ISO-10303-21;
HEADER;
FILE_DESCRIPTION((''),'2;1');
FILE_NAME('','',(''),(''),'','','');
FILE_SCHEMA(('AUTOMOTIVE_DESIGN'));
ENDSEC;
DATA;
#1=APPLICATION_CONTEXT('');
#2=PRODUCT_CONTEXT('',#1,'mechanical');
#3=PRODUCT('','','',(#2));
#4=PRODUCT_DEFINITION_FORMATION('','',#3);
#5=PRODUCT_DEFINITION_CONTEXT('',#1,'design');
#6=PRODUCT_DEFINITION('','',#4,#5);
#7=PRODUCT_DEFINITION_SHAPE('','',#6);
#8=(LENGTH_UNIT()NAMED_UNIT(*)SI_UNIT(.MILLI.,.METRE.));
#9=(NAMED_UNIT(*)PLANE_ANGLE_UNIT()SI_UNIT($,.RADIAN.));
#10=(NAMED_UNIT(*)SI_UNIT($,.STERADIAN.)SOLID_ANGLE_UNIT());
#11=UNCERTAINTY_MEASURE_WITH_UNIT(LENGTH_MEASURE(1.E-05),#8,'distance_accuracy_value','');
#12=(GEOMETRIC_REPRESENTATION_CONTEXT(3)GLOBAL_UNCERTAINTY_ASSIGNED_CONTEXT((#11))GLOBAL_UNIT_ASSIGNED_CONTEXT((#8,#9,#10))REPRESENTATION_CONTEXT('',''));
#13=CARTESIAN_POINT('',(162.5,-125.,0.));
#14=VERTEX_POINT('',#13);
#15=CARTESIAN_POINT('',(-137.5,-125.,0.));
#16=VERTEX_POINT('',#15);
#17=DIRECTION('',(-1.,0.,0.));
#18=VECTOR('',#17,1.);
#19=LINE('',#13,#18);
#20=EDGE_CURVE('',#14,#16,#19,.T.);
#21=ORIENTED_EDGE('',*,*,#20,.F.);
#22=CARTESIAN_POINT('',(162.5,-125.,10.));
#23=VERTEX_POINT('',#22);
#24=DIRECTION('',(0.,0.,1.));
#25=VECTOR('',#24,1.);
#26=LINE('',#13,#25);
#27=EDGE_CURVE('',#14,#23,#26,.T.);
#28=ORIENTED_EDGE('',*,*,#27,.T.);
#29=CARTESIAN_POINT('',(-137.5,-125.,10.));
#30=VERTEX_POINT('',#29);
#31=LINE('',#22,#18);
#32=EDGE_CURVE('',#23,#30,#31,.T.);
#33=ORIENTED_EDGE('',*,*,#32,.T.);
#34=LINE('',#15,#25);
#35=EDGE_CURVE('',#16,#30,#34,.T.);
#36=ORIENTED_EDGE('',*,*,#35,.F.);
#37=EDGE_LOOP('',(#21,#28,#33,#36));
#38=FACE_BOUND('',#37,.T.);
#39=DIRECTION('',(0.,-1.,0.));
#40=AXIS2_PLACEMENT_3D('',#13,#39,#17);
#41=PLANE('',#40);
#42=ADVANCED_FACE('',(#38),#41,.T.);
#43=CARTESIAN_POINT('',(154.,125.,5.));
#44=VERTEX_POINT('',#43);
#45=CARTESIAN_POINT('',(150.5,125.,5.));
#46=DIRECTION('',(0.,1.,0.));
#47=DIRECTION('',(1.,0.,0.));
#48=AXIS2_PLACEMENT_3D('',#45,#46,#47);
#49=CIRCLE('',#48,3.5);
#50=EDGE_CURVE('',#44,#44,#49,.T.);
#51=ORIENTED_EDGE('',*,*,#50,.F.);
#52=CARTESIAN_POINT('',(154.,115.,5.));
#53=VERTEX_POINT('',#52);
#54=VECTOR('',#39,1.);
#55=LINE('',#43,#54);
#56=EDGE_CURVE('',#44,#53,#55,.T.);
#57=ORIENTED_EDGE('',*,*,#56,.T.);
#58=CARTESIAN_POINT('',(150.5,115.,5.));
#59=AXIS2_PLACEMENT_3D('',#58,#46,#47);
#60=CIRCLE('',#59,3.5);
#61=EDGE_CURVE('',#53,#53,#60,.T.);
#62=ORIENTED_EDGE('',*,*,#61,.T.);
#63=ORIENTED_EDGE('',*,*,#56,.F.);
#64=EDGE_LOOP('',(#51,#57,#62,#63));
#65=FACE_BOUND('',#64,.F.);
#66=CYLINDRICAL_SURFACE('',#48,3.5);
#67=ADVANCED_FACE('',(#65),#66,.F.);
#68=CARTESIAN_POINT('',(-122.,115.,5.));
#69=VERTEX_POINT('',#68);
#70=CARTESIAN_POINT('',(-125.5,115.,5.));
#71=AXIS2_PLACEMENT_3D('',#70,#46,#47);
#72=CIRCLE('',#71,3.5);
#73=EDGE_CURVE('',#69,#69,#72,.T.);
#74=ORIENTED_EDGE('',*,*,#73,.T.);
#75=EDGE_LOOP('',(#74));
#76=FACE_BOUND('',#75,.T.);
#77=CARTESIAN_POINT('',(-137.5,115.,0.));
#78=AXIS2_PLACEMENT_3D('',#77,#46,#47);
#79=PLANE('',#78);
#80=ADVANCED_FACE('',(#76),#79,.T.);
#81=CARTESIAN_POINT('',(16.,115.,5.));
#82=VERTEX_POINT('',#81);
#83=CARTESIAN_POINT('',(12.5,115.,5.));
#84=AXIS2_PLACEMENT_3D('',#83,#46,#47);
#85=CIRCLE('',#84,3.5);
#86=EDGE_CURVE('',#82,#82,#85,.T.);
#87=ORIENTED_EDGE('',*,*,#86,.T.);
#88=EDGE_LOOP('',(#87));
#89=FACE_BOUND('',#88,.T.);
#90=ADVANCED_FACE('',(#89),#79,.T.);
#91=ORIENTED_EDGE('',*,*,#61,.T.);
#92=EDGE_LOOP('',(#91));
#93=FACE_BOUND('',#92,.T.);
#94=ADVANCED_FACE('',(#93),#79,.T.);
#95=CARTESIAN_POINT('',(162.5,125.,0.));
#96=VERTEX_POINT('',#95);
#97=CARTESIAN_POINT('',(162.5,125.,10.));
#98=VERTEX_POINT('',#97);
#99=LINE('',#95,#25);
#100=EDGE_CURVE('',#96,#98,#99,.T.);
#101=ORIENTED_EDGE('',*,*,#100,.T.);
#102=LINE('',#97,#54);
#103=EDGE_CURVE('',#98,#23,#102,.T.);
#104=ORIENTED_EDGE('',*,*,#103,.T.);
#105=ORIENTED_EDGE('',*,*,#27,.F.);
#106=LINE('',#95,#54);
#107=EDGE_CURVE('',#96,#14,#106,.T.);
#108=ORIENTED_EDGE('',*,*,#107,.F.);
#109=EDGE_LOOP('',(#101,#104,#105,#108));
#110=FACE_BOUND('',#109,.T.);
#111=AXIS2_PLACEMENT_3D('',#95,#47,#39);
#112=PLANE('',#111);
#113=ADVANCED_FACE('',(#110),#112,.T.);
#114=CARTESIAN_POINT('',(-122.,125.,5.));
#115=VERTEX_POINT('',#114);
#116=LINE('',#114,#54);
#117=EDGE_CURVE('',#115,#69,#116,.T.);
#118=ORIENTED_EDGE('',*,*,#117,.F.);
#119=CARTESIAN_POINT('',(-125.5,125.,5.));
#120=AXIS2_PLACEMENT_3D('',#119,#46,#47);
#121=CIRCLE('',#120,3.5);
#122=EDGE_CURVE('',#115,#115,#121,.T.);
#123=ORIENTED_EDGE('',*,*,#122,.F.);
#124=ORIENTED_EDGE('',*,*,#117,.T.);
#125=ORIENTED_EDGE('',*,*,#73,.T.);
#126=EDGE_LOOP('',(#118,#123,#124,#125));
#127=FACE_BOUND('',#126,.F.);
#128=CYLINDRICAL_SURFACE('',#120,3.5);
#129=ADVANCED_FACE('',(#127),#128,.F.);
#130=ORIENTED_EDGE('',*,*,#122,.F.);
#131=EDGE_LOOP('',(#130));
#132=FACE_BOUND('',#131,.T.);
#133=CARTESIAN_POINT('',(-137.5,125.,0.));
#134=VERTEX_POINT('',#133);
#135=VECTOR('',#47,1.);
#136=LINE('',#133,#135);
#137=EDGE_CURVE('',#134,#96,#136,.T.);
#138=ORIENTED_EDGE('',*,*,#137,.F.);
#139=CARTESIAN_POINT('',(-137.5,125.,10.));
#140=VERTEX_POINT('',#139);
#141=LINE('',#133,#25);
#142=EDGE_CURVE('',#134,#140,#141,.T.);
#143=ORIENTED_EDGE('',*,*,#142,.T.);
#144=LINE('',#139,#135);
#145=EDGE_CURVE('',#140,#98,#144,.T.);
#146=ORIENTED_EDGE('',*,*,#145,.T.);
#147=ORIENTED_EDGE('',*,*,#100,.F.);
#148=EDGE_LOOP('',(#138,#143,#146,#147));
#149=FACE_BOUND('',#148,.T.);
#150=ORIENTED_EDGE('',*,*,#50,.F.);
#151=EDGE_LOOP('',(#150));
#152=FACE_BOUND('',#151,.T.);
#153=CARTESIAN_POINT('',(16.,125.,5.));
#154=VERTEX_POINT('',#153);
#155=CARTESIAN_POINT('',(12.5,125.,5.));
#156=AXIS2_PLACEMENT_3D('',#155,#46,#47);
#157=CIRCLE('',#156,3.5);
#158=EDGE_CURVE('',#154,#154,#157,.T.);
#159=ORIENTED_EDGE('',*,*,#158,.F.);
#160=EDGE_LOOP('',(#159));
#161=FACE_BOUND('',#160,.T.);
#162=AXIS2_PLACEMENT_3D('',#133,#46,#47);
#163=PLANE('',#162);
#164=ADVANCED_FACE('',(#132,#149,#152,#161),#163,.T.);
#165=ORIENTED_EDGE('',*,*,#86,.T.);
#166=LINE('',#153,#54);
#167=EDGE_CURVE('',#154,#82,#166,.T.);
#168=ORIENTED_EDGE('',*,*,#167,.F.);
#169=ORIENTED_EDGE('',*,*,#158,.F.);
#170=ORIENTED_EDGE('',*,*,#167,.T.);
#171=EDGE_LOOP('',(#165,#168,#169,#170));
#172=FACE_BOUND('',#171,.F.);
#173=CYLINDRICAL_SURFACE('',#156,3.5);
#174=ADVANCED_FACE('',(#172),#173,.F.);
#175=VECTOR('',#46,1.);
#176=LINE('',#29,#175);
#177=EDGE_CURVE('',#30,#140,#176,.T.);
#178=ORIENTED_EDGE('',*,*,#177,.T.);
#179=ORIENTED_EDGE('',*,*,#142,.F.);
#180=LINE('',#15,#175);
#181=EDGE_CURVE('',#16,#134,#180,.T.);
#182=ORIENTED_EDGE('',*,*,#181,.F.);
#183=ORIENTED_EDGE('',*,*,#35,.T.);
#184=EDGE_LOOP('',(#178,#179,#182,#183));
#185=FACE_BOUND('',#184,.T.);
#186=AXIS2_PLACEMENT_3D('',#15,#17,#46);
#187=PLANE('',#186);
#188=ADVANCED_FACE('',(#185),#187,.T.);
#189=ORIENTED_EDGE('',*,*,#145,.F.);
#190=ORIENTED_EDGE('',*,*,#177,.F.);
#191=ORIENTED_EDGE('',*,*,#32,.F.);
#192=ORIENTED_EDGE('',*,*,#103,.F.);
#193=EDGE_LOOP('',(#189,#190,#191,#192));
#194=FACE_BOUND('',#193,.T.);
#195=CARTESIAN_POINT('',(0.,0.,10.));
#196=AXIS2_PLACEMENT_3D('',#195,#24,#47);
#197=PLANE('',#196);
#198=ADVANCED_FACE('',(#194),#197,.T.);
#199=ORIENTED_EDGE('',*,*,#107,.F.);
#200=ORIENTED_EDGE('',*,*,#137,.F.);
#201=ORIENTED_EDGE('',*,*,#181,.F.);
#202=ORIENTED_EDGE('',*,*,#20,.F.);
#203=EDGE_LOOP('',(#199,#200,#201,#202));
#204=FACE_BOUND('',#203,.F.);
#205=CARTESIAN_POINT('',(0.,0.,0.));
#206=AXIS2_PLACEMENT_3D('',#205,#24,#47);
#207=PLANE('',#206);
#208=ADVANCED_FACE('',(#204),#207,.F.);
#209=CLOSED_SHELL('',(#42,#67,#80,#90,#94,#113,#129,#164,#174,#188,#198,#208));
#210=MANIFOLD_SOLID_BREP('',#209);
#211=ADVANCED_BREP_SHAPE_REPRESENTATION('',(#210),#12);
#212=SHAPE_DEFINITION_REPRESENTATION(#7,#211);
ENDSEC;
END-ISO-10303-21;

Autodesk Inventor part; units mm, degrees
ref_plane "YZ Plane" through (0, 0, 0) normal (1, 0, 0) x (0, 1, 0)
ref_plane "XZ Plane" through (0, 0, 0) normal (0, 1, 0) x (-1, 0, 0)
ref_plane "XY Plane" through (0, 0, 0) normal (0, 0, 1) x (1, 0, 0)
sketch "Sketch1" plane through (0, 0, 0) normal (0, 0, 1) x (1, 0, 0)
  line L0 (-137.5, 125) -> (162.5, 125)
  line L1 (162.5, 125) -> (162.5, -125)
  line L2 (162.5, -125) -> (-137.5, -125)
  line L3 (-137.5, -125) -> (-137.5, 125)
  point P0 (0, 0)
  dimension "d0" = 300
  dimension "d1" = 250
  dimension "d2" = 162.5
  dimension "d3" = 125
extrude "Extrusion1" add sketch "Sketch1" along normal blind 10
sketch "Sketch4" plane through (-137.5, 125, 0) normal (0, 1, 0) x (1, 0, 0)
  circle A0 centre (288, -5) radius 3.5
  circle A1 centre (150, -5) radius 3.5
  circle A2 centre (12, -5) radius 3.5
  line L0 (300, 0) -> (300, -10) projected
  line L1 (0, 0) -> (0, -10) projected
  line L2 (0, 0) -> (300, 0) projected
  point P0 (137.5, 0)
  dimension "d6" = 7
  dimension "d7" = 7
  dimension "d8" = 7
  dimension "d9" = 12
  dimension "d10" = 12
  dimension "d12" = 150
  dimension "d13" = 5
  dimension "d14" = 5
  dimension "d15" = 5
extrude "Extrusion2" cut sketch "Sketch4" against normal blind 10
thread "Thread1" size "M7x1" class "6H" standard "ANSI Metric M Profile" full length
thread "Thread2" size "M7x1" class "6H" standard "ANSI Metric M Profile" full length
thread "Thread3" size "M7x1" class "6H" standard "ANSI Metric M Profile" full length
properties part number "Base"
